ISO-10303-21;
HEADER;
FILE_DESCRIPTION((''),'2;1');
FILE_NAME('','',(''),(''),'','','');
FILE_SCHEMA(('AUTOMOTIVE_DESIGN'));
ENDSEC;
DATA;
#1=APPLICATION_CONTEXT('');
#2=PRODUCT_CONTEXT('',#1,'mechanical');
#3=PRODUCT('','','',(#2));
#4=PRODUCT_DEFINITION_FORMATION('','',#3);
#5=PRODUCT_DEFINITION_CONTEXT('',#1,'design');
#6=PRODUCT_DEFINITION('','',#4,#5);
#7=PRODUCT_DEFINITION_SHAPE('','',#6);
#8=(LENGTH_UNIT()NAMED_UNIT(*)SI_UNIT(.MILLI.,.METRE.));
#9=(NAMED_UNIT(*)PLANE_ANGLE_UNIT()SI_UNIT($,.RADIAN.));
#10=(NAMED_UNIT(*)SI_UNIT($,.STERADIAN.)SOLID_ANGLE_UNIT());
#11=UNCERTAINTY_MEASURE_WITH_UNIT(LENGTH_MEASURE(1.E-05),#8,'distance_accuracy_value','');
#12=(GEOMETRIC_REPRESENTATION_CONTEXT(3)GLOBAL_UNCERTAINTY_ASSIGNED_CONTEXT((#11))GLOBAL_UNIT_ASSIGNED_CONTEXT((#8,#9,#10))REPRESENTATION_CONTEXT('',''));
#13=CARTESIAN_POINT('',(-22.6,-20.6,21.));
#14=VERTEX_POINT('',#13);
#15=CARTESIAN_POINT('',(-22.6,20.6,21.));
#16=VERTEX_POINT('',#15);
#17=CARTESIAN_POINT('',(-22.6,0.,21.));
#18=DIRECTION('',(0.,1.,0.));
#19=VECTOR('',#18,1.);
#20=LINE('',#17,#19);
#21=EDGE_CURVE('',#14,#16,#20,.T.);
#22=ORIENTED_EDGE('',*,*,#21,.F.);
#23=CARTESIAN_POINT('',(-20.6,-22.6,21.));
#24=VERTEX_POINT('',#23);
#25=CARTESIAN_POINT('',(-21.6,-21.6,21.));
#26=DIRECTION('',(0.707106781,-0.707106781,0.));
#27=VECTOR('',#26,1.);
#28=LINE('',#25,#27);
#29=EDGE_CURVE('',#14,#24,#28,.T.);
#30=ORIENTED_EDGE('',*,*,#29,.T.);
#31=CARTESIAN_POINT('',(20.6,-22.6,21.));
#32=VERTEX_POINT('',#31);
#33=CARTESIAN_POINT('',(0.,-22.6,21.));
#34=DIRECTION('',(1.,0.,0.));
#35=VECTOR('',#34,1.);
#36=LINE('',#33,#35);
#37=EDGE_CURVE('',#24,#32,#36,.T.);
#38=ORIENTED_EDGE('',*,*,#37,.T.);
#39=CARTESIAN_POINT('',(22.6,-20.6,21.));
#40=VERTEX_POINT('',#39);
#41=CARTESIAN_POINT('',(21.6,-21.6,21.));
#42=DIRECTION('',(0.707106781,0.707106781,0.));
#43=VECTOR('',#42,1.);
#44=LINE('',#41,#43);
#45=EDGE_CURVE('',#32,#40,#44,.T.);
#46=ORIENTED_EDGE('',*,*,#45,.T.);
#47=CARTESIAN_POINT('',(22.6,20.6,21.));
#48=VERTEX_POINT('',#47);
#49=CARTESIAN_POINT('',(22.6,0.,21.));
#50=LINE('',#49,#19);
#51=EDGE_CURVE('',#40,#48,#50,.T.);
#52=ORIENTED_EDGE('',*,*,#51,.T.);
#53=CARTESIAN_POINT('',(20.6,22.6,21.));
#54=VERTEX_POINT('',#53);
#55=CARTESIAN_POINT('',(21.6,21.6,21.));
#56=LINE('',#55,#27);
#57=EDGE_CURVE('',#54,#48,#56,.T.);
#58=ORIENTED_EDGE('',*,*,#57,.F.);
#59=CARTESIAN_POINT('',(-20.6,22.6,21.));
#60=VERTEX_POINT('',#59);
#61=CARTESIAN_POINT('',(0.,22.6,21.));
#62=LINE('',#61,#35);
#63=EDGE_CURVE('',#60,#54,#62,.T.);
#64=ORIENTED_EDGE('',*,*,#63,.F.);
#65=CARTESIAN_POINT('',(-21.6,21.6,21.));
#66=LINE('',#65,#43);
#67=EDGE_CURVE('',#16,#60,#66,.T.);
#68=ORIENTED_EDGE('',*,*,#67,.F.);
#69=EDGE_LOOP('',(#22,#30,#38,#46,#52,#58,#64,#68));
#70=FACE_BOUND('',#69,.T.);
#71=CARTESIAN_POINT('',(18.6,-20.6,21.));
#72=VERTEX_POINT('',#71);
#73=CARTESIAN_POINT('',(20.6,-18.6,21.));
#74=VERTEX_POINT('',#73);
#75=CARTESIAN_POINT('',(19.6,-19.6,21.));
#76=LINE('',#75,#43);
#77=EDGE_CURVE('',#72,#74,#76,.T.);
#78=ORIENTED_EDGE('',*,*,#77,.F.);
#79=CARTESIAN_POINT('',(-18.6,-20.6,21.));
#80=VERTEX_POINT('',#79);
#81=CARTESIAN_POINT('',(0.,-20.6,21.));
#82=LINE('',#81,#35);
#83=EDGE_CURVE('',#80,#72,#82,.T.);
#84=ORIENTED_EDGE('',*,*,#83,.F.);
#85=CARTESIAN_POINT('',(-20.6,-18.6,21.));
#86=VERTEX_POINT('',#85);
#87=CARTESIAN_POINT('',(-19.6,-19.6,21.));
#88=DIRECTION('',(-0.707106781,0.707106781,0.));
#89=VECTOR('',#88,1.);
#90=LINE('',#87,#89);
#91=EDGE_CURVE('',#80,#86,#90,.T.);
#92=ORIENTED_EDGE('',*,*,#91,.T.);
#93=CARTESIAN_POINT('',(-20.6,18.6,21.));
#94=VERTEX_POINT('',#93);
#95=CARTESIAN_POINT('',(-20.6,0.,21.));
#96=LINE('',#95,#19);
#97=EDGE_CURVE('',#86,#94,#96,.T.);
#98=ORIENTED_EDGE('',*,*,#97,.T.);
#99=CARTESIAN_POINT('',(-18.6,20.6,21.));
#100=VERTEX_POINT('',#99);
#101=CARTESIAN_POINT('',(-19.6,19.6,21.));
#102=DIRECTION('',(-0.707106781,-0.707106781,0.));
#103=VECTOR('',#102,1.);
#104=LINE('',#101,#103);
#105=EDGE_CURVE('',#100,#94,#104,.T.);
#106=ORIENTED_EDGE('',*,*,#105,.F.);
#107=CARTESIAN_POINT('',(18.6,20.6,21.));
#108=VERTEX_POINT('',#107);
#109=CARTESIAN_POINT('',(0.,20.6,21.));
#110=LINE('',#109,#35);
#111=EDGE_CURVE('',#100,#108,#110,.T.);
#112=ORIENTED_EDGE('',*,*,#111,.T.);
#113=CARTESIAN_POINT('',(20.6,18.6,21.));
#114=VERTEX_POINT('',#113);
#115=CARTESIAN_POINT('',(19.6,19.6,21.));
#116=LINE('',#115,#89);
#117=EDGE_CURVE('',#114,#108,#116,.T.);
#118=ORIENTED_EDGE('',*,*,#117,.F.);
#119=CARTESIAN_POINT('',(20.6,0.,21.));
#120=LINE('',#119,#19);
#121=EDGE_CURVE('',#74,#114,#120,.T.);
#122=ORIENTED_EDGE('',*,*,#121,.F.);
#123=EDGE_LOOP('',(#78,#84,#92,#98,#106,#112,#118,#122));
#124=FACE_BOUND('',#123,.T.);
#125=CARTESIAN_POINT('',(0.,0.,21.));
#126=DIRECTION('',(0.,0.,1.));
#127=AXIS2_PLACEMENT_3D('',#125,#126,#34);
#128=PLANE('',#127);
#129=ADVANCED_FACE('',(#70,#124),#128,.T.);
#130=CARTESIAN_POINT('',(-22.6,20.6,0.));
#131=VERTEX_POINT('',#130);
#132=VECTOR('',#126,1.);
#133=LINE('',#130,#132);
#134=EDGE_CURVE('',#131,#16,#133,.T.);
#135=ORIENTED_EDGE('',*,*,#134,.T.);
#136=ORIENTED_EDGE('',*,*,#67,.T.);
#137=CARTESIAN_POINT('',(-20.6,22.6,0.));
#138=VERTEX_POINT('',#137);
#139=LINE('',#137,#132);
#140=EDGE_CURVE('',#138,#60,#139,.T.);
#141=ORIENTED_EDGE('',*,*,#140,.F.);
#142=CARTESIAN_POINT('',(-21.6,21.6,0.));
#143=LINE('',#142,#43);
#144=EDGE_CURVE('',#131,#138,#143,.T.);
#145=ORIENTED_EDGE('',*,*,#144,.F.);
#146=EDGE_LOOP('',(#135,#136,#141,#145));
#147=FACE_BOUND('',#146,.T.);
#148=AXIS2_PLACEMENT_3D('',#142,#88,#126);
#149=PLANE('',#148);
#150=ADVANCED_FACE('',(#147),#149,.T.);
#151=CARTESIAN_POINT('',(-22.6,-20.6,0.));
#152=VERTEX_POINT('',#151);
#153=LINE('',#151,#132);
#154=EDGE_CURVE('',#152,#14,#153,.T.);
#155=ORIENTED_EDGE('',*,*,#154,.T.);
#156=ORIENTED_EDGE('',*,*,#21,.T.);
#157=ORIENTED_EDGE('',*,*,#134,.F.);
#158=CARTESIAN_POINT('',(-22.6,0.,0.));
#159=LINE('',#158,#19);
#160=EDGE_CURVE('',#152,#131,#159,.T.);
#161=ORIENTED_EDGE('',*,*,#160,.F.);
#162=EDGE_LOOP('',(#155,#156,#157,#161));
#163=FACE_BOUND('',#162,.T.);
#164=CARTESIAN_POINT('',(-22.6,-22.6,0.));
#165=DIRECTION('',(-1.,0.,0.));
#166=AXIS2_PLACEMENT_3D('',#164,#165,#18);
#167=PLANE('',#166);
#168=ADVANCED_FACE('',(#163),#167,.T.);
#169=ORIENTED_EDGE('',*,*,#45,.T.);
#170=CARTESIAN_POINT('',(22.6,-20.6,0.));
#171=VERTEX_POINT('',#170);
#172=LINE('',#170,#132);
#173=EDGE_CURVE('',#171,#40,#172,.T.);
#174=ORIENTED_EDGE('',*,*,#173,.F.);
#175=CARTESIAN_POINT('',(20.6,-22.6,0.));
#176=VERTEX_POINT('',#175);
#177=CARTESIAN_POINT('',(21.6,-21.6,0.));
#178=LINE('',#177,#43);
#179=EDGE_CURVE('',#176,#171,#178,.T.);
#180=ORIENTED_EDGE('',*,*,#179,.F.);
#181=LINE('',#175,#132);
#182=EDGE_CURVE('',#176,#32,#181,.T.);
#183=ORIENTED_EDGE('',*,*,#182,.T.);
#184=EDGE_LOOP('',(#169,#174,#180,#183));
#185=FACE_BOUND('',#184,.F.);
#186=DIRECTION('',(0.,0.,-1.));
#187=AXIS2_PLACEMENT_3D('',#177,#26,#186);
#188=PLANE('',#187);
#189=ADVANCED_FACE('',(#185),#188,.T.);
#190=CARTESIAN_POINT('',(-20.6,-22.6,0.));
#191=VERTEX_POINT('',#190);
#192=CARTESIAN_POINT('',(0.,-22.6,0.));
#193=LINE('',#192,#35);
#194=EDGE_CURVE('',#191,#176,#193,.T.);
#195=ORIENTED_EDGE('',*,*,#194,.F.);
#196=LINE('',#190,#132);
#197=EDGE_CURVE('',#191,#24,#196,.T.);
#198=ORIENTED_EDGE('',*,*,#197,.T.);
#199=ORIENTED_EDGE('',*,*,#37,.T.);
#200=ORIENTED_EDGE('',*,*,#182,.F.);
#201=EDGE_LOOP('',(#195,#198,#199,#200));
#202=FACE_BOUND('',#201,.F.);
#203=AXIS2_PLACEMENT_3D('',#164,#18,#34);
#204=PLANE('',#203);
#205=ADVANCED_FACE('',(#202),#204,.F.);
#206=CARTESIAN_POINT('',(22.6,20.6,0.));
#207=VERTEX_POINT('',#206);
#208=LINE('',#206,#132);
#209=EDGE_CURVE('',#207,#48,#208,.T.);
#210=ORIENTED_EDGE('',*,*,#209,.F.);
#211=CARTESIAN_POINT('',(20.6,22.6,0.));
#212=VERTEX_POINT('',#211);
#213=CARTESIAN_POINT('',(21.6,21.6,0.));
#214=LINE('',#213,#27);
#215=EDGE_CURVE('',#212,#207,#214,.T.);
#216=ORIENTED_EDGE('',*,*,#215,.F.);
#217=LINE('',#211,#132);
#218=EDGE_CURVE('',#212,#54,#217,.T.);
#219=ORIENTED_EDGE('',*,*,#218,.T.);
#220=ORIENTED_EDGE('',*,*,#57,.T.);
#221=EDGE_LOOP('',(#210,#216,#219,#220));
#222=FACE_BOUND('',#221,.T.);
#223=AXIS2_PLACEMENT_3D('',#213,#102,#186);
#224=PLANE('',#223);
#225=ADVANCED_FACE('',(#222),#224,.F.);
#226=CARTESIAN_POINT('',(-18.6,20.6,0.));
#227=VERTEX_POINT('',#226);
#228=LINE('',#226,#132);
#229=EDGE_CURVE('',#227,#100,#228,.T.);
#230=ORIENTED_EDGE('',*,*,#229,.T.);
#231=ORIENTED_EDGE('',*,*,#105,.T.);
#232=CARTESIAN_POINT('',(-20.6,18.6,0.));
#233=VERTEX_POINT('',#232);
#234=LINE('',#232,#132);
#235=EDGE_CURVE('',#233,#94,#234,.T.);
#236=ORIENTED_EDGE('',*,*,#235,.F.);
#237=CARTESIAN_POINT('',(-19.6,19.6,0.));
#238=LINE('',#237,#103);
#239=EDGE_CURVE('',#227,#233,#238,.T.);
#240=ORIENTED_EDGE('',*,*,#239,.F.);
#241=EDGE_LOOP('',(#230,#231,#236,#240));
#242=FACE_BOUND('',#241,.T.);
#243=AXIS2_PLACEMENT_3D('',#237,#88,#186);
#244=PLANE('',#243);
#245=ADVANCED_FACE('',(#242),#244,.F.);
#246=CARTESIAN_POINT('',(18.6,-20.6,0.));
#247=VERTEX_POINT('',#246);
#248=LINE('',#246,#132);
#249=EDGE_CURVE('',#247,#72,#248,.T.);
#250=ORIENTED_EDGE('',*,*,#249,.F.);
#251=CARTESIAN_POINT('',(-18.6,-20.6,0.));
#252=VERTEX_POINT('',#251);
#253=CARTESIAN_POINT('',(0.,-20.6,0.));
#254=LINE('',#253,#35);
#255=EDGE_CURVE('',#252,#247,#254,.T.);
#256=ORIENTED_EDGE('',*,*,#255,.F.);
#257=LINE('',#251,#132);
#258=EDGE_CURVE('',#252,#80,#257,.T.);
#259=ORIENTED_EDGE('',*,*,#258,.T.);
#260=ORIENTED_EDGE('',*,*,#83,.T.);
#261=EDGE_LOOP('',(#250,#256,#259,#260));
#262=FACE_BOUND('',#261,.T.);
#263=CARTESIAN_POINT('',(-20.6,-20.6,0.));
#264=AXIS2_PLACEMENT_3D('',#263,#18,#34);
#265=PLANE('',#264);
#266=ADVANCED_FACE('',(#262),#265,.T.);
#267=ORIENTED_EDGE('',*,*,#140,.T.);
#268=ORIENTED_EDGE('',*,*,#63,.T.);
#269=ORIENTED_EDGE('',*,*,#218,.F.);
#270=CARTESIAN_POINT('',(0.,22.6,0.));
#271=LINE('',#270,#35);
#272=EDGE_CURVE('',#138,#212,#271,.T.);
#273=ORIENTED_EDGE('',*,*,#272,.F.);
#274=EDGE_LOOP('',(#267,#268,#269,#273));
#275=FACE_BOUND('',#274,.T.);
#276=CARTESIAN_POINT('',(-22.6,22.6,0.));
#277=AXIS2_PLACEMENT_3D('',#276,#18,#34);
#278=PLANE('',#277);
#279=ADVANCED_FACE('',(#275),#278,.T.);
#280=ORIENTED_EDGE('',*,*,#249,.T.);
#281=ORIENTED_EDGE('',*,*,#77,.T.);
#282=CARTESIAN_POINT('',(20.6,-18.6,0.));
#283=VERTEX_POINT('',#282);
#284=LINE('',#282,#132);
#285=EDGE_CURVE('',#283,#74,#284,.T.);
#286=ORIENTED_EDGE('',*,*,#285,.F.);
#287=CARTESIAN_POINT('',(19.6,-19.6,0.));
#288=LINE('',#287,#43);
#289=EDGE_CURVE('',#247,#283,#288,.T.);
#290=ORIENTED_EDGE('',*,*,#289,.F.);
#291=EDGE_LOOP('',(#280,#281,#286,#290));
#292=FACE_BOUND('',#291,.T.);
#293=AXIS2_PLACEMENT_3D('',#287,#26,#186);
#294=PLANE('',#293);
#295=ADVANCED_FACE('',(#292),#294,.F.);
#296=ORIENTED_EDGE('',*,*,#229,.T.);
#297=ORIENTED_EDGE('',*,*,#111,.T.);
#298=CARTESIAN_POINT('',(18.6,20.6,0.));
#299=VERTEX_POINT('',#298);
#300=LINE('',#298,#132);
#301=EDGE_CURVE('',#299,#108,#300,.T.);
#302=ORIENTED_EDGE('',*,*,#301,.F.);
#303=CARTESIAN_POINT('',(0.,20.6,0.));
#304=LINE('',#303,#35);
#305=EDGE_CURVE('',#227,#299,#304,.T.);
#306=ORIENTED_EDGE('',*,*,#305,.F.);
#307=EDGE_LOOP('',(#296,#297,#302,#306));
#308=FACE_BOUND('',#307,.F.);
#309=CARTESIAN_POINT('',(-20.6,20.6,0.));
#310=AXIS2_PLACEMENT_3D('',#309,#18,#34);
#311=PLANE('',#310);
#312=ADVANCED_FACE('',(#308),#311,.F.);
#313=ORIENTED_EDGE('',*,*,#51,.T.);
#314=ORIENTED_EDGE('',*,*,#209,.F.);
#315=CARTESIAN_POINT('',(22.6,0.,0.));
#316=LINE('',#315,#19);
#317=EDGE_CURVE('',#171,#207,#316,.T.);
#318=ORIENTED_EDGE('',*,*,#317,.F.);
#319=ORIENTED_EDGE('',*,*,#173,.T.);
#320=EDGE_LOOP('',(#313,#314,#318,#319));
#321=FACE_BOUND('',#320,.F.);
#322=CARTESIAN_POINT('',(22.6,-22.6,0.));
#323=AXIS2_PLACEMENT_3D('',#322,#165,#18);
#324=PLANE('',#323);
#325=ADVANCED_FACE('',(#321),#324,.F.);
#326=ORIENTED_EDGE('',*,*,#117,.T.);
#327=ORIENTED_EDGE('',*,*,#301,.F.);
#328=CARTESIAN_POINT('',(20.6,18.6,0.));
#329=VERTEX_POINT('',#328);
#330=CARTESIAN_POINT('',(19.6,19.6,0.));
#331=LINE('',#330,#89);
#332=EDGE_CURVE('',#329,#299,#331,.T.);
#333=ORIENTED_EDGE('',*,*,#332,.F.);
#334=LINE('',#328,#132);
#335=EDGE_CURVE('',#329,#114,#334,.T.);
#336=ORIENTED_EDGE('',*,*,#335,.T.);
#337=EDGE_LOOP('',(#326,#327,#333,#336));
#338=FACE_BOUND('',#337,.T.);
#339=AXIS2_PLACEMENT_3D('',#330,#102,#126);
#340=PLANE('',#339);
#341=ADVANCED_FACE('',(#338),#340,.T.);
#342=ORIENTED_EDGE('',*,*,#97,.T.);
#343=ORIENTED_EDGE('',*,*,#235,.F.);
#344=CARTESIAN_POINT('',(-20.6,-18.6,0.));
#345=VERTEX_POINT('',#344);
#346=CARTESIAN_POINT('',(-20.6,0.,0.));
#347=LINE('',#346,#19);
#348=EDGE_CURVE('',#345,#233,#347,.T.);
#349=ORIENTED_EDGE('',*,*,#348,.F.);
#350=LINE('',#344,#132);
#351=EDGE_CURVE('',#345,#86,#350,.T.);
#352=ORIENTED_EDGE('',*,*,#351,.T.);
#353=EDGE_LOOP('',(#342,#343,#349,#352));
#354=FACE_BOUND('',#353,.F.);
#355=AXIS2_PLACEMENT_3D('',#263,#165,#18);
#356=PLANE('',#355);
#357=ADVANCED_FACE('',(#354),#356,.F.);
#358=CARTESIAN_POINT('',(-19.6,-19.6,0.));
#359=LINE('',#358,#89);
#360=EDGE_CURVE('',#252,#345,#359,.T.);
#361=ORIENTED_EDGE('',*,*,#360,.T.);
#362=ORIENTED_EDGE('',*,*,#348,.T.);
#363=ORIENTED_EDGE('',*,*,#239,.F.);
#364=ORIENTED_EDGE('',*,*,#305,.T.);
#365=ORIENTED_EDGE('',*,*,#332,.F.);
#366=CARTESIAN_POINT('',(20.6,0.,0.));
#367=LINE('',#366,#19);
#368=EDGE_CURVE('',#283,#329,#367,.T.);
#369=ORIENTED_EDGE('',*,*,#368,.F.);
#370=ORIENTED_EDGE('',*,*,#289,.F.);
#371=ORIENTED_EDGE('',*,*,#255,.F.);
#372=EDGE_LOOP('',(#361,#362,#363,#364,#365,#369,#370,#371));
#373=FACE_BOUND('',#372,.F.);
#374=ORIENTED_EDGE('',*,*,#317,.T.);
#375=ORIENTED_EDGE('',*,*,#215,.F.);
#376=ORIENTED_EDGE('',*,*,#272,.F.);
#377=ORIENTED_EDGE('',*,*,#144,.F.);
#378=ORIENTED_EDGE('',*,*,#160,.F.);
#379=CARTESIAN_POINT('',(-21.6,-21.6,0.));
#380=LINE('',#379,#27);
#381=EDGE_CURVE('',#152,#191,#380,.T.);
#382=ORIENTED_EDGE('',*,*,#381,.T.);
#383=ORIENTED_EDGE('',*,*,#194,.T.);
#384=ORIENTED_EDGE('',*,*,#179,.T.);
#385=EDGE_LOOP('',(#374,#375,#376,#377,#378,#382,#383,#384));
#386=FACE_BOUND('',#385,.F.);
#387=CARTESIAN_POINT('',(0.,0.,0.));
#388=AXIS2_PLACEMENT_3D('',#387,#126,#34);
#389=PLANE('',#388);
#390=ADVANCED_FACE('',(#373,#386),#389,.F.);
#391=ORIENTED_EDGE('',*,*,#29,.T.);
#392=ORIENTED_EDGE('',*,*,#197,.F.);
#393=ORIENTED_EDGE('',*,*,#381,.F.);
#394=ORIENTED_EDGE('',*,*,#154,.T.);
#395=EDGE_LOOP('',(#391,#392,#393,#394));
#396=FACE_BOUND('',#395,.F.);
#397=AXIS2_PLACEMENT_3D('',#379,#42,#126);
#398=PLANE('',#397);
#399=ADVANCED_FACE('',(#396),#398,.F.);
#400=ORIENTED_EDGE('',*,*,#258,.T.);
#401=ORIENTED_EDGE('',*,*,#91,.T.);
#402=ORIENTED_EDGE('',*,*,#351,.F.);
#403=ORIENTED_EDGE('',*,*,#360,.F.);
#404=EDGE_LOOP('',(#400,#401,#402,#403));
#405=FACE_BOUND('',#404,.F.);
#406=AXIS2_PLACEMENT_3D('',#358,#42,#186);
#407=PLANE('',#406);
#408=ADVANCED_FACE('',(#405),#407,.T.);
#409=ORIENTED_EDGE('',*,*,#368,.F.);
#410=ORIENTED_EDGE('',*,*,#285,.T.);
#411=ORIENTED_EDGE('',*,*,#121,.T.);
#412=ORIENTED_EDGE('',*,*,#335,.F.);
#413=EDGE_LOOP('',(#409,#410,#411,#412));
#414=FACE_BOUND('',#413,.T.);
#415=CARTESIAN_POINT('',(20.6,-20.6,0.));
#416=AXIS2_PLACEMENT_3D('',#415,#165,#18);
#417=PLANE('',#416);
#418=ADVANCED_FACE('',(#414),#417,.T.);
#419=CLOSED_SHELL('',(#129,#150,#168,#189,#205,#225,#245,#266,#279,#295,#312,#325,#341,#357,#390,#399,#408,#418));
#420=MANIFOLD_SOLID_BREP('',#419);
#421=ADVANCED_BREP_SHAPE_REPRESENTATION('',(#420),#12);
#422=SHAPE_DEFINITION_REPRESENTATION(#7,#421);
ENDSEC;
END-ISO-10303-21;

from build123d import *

# Parameters (mm, degrees)
F0_W     = 45.2
F0_H     = 45.2
F0_W_2   = 41.2
F0_H_2   = 41.2
F1_DEPTH = 21
F2_SIZE  = 2


with BuildPart() as f1:
    # F0 (on Top) → F1 (new body)
    with BuildSketch(Plane.XY):
        Rectangle(F0_W, F0_H)
        Rectangle(F0_W_2, F0_H_2, mode=Mode.SUBTRACT)
    extrude(amount=F1_DEPTH)

    # F2
    f2_edges = [f1.edges().sort_by_distance(p)[0] for p in [
        (-22.6, -22.6, 10.5),
        (-20.6, -20.6, 10.5),
        (22.6, -22.6, 10.5),
        (20.6, -20.6, 10.5),
        (20.6, 20.6, 10.5),
        (-20.6, 20.6, 10.5),
        (22.6, 22.6, 10.5),
        (-22.6, 22.6, 10.5),
    ]]
    chamfer(f2_edges, length=F2_SIZE)


solid = f1.part
